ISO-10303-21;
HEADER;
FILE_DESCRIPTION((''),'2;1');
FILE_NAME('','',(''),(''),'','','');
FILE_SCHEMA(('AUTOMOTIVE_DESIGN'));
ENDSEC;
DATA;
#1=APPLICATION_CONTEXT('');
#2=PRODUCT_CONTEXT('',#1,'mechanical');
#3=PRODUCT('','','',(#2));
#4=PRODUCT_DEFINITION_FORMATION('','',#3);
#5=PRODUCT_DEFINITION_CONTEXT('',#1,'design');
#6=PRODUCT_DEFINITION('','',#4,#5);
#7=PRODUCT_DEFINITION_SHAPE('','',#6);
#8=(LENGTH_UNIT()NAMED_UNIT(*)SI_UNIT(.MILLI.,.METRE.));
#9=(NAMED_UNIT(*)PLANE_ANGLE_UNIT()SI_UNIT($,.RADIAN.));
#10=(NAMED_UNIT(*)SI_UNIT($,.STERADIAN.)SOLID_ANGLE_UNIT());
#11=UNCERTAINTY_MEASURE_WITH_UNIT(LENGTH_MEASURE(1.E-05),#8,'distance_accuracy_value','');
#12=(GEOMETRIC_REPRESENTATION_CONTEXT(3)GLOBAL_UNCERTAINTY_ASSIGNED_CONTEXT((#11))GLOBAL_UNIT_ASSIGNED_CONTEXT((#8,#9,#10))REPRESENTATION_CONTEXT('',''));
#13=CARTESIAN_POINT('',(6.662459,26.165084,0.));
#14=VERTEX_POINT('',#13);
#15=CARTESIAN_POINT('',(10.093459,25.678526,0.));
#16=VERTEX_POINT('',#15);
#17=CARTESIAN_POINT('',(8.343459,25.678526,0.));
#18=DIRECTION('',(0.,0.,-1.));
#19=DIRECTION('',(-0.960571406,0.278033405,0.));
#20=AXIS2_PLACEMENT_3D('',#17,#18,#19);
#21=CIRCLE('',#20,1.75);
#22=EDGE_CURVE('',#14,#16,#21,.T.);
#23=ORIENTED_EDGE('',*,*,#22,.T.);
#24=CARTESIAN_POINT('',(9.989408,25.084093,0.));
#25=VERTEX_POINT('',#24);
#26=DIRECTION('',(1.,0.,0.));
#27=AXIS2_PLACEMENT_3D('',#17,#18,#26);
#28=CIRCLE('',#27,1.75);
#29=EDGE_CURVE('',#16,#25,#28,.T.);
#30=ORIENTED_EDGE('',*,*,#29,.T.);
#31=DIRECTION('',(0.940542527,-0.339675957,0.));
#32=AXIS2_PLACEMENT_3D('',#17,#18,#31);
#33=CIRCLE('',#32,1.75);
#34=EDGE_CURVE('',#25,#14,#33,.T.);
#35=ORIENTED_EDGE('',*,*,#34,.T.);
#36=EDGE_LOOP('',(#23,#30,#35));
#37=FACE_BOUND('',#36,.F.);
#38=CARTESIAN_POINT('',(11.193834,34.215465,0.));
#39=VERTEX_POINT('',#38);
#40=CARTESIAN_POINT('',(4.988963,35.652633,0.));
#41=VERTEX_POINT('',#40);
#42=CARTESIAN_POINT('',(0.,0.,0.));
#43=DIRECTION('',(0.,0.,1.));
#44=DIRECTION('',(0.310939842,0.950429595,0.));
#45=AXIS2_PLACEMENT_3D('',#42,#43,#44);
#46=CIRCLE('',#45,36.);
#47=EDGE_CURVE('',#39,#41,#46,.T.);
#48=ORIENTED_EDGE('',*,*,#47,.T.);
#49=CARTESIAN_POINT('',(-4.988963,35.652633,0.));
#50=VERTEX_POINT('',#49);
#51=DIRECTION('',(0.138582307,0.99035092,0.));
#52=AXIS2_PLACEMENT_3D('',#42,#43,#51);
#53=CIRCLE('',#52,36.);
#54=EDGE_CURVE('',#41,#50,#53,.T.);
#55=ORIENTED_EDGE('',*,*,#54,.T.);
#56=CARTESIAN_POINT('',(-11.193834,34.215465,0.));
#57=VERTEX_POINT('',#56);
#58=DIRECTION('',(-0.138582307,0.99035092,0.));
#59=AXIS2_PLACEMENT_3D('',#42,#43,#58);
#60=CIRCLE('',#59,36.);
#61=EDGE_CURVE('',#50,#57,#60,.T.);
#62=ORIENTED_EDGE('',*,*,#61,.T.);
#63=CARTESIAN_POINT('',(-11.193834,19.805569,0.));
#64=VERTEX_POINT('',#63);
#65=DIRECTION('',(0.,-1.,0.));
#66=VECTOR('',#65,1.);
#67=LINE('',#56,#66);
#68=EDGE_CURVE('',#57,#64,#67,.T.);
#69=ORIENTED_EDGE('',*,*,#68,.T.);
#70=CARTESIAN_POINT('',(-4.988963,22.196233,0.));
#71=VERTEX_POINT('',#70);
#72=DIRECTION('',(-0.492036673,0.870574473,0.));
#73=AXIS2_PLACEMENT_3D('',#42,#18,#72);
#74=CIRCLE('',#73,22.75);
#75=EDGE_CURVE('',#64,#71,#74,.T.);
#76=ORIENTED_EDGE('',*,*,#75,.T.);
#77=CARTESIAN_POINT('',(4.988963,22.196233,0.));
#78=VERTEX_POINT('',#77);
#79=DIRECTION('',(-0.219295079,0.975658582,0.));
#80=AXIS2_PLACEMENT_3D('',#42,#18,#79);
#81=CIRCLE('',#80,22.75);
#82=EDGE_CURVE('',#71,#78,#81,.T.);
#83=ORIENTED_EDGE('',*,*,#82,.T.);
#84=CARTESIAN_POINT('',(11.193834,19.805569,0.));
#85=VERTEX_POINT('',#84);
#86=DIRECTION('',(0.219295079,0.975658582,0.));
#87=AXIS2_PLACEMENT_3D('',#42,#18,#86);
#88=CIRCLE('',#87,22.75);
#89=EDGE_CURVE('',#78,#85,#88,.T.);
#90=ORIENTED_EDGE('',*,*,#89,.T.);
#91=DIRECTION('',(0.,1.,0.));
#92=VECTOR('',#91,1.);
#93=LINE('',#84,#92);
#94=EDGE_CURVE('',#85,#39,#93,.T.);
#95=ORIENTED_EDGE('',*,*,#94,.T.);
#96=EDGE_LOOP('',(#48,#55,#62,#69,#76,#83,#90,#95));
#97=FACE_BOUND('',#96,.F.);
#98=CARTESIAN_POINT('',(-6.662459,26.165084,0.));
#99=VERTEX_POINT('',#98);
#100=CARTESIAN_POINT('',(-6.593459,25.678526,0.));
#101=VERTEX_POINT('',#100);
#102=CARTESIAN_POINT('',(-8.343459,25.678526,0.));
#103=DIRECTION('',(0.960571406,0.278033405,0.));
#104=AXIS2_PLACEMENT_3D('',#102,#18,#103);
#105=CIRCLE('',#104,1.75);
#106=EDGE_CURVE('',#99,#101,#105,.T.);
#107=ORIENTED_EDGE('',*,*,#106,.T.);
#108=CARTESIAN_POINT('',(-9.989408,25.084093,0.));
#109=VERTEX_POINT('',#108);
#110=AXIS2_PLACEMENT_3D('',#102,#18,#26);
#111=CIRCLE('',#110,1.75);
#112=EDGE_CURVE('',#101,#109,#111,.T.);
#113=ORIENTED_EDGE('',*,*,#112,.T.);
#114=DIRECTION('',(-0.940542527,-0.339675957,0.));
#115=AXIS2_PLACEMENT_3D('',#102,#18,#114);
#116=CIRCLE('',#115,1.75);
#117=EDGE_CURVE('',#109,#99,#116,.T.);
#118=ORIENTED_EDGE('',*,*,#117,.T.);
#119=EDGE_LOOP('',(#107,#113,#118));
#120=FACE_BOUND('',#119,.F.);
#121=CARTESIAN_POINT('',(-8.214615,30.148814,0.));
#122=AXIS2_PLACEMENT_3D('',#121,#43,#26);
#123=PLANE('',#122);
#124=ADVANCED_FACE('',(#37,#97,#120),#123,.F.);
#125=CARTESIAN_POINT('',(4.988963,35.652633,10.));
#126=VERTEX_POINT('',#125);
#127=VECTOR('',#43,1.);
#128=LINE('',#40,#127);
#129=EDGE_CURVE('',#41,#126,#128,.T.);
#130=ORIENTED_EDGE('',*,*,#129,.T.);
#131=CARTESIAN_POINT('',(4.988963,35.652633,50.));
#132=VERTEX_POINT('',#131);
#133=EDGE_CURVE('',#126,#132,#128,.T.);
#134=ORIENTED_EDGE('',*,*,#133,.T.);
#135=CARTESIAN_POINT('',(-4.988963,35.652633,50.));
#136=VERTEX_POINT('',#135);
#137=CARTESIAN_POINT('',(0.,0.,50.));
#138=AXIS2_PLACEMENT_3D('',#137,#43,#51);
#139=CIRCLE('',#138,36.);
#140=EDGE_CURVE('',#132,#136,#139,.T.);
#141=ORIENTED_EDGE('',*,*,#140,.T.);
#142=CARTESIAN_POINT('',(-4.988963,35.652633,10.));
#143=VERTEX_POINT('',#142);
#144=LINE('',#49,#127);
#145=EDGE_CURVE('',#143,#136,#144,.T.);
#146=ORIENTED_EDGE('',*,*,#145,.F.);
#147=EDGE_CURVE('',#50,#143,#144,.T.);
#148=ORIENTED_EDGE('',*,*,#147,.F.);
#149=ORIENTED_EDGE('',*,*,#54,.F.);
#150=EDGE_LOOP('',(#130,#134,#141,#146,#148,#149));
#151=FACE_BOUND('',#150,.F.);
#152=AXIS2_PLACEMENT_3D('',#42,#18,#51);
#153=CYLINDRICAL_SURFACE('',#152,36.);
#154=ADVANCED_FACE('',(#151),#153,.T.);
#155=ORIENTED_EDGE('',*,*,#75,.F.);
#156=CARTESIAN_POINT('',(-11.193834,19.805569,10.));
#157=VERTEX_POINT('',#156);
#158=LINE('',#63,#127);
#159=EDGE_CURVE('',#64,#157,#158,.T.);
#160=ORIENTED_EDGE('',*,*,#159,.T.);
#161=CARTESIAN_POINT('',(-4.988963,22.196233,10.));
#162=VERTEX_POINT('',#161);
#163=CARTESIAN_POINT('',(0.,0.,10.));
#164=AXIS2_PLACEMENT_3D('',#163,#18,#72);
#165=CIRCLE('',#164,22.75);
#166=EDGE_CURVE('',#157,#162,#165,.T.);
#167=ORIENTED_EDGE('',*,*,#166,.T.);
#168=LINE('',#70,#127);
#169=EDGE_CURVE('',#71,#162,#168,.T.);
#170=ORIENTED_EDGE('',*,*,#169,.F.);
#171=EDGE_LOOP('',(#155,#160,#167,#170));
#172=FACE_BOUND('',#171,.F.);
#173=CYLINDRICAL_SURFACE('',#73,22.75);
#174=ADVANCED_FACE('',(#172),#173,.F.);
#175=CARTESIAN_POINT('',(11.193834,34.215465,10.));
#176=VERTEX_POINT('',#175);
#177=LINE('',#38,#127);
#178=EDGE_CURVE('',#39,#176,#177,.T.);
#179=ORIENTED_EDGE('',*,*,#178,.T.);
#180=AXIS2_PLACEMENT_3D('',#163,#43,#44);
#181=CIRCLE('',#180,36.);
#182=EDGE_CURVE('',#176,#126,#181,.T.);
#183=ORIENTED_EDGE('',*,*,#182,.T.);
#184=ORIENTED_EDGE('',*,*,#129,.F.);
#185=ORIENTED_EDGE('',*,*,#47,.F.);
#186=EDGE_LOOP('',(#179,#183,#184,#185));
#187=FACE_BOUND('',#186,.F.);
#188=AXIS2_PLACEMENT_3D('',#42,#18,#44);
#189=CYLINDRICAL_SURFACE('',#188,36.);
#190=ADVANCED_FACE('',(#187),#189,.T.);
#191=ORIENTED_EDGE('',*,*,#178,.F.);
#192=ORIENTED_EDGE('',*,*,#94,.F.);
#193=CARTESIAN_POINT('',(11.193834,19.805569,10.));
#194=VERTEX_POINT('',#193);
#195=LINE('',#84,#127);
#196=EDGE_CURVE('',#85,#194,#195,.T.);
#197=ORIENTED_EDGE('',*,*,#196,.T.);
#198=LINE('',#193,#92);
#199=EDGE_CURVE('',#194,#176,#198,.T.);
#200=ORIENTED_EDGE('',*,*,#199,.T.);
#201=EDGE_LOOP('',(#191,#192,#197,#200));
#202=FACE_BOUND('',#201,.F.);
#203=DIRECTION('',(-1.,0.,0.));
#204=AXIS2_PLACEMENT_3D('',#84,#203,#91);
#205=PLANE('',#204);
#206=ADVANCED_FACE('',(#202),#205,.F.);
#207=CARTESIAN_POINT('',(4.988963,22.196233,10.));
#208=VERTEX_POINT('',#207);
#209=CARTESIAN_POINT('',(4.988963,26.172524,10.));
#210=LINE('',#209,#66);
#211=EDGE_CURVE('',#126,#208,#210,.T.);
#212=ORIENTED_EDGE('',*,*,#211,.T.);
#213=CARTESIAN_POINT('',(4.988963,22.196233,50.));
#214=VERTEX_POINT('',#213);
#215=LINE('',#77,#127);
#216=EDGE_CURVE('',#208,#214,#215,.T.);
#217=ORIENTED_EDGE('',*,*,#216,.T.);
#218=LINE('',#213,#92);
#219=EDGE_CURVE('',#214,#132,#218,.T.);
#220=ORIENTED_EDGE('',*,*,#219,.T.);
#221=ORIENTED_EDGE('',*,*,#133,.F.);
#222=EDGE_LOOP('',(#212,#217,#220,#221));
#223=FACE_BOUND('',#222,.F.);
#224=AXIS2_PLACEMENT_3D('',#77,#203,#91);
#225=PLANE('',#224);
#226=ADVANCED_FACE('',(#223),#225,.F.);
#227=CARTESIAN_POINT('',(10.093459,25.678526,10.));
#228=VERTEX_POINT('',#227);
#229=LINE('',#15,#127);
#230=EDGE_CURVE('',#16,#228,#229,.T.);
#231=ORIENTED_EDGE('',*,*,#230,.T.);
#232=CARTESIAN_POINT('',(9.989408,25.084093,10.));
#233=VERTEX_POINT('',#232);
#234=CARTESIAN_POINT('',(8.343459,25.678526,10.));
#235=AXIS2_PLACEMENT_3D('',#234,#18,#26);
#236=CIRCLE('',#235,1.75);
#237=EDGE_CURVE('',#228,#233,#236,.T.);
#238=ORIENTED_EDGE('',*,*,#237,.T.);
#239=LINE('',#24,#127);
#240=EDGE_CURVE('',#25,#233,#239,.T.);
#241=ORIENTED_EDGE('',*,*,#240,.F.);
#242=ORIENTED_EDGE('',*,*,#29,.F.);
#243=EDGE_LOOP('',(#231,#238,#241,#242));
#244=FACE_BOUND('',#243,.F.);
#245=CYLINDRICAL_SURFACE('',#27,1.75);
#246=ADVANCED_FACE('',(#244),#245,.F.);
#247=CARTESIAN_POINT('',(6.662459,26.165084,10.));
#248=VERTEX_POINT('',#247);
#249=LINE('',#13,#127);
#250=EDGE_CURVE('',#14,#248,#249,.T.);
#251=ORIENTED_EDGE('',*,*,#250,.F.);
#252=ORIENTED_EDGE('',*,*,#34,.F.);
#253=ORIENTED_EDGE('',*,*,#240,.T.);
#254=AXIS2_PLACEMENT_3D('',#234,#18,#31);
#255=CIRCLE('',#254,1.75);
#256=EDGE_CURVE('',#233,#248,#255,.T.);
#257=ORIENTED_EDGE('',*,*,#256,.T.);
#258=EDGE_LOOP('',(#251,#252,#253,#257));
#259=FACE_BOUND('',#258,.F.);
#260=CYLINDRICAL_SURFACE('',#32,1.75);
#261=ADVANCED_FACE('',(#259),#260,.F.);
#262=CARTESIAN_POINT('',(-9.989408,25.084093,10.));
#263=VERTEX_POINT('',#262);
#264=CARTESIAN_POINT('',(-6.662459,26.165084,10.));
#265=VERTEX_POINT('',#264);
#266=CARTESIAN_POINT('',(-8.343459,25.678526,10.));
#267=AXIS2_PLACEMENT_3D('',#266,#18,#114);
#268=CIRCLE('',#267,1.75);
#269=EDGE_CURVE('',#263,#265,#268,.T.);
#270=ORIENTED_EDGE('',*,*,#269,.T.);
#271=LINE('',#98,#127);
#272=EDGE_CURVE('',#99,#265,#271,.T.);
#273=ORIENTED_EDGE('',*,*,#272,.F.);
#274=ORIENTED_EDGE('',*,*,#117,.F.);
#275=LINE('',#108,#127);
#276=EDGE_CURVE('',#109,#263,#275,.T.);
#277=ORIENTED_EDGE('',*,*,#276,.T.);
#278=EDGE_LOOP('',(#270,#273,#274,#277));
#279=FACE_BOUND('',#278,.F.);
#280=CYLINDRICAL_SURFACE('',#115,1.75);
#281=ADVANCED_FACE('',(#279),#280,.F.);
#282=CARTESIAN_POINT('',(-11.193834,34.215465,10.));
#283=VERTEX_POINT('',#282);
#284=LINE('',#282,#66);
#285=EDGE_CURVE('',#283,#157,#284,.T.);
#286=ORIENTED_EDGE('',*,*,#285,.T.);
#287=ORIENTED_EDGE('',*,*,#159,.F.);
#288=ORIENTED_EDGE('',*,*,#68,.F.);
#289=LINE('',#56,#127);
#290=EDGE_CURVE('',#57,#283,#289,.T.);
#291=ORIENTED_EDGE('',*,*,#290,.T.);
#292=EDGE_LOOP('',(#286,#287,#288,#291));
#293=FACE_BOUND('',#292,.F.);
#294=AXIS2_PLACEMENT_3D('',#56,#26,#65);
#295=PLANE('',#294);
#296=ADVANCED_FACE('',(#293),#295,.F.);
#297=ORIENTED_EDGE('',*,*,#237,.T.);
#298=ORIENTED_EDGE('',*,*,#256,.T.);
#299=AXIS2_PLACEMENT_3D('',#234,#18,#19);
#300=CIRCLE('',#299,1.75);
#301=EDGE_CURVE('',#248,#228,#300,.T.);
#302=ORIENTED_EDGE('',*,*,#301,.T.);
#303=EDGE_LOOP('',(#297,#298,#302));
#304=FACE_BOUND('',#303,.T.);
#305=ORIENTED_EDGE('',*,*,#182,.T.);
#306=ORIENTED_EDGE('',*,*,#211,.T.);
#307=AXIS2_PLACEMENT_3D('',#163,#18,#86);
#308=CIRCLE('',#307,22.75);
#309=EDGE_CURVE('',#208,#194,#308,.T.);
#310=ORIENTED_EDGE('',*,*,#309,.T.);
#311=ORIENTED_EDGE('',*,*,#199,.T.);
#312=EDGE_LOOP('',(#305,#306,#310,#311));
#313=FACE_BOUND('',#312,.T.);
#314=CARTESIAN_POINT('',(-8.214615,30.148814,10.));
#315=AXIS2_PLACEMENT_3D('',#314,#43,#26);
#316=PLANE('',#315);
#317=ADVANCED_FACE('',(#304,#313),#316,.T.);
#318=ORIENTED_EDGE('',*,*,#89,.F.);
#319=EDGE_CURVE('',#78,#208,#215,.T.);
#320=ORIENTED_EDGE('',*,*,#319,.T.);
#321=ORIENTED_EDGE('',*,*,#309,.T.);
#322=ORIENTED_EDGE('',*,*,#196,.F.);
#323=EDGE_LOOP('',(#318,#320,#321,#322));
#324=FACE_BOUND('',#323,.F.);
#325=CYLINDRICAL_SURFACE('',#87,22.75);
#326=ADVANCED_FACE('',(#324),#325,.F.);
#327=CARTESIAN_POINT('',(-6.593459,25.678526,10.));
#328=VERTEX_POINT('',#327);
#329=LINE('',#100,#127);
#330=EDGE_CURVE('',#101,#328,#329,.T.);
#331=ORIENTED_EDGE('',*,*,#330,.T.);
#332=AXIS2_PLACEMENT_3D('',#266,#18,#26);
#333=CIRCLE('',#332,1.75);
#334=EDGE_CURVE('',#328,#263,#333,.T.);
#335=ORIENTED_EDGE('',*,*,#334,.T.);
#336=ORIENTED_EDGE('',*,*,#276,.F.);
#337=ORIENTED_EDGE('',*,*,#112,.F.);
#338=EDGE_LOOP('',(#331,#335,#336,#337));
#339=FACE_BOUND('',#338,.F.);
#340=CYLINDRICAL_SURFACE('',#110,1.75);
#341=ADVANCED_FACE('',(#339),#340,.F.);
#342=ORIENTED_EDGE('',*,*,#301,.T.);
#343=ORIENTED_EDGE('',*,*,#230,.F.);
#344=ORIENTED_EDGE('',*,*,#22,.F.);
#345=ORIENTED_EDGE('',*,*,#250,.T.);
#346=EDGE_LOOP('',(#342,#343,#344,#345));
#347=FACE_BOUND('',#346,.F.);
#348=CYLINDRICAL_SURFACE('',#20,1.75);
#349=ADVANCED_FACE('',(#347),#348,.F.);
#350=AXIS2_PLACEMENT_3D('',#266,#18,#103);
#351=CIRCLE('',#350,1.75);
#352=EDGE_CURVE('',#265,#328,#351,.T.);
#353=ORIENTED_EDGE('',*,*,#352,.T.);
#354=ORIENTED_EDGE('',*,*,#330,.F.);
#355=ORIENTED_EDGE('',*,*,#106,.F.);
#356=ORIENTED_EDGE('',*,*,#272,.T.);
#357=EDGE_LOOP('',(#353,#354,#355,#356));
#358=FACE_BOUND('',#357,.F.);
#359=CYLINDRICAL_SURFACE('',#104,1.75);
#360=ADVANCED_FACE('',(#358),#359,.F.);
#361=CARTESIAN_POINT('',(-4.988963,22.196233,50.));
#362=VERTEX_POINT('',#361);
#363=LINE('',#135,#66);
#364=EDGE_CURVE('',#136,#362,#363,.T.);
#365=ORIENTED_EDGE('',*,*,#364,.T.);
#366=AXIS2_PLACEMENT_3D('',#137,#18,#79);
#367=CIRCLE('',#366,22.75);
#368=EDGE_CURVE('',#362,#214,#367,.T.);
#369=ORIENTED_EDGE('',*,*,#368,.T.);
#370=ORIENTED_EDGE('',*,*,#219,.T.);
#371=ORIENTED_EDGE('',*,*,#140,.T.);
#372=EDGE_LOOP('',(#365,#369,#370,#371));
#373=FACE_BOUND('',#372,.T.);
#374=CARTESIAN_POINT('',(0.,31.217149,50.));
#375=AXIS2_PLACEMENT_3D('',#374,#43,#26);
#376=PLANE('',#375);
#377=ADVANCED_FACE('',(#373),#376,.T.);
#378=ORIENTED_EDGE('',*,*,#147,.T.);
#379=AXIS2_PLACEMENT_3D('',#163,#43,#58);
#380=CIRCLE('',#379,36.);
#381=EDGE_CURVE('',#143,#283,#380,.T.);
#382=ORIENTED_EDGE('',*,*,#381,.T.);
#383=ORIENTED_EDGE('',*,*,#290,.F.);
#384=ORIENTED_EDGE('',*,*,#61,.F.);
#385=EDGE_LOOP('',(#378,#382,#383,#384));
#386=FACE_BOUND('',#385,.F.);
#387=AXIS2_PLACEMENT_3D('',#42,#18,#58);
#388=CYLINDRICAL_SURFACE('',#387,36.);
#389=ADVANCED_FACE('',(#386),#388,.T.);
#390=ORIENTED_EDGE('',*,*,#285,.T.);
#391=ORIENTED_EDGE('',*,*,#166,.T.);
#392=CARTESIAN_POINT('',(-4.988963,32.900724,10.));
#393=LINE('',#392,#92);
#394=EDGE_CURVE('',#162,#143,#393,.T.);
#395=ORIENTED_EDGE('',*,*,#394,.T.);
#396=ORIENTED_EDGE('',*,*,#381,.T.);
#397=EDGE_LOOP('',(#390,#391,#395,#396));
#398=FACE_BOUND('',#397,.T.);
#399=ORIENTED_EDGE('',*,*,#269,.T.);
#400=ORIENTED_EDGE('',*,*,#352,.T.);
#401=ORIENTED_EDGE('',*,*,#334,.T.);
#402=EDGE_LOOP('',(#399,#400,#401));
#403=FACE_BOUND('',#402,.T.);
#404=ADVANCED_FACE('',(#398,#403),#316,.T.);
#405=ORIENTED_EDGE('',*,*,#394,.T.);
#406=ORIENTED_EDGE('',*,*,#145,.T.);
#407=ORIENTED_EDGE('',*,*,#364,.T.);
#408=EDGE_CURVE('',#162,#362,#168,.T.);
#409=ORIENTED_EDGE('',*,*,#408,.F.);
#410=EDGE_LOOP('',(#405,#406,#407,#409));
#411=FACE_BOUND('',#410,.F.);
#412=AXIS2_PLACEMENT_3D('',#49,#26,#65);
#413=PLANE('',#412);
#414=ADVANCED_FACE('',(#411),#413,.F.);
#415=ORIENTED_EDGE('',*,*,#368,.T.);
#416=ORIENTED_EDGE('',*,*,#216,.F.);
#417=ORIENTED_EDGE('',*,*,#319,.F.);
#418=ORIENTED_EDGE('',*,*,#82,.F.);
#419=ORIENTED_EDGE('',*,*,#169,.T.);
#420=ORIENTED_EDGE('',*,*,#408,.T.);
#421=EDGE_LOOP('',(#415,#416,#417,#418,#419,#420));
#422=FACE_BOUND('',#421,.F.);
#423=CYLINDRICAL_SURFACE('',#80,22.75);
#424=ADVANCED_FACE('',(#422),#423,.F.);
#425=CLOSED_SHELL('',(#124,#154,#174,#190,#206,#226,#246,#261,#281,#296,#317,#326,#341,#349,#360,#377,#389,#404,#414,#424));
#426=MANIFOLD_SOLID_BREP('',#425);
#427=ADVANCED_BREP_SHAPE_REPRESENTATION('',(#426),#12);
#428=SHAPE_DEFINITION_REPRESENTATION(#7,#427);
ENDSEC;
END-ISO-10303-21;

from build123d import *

# Parameters (mm, degrees)
F1_DEPTH = 10
F2_DEPTH = 50


with BuildPart() as f1:
    # F0 (on Top) → F1 (new body)
    with BuildSketch(Plane.XY):
        with BuildLine():
            Line((-11.1938343047, 34.2154654149), (-11.1938343047, 24.5702680807))
            ThreePointArc((-11.1938343047, 24.5702680807), (-10.5947366889, 24.8344831735), (-9.9894082697, 25.0840930157))
            ThreePointArc((-9.9894082697, 25.0840930157), (-8.8842385883, 27.3428748435), (-6.6624588878, 26.1650843983))
            ThreePointArc((-6.6624588878, 26.1650843983), (-5.8286474975, 26.3633622353), (-4.988963041, 26.5350758012))
            Line((-4.988963041, 26.5350758012), (-4.988963041, 35.6526331114))
            ThreePointArc((-4.988963041, 35.6526331114), (-8.1232441321, 35.0715398118), (-11.1938343047, 34.2154654149))
        make_face()
        with BuildLine():
            ThreePointArc((-4.988963041, 26.5350758012), (0, 27), (4.988963041, 26.5350758012))
            Line((4.988963041, 26.5350758012), (4.988963041, 35.6526331114))
            ThreePointArc((4.988963041, 35.6526331114), (0, 36), (-4.988963041, 35.6526331114))
            Line((-4.988963041, 35.6526331114), (-4.988963041, 26.5350758012))
        make_face()
        with BuildLine():
            ThreePointArc((9.9894082697, 25.0840930157), (10.5947366889, 24.8344831735), (11.1938343047, 24.5702680807))
            Line((11.1938343047, 24.5702680807), (11.1938343047, 34.2154654149))
            ThreePointArc((11.1938343047, 34.2154654149), (8.1232441321, 35.0715398118), (4.988963041, 35.6526331114))
            Line((4.988963041, 35.6526331114), (4.988963041, 26.5350758012))
            ThreePointArc((4.988963041, 26.5350758012), (5.8286474975, 26.3633622353), (6.6624588878, 26.1650843983))
            ThreePointArc((6.6624588878, 26.1650843983), (8.5891721662, 27.4111900636), (10.0934588481, 25.67852594))
            ThreePointArc((10.0934588481, 25.67852594), (10.0672499445, 25.3767905326), (9.9894082697, 25.0840930157))
        make_face()
        with BuildLine():
            ThreePointArc((4.988963041, 22.1962327384), (8.1792145377, 21.2288235554), (11.1938343047, 19.8055692561))
            Line((11.1938343047, 19.8055692561), (11.1938343047, 24.5702680807))
            ThreePointArc((11.1938343047, 24.5702680807), (10.5947366889, 24.8344831735), (9.9894082697, 25.0840930157))
            ThreePointArc((9.9894082697, 25.0840930157), (7.802679108, 24.0141770365), (6.6624588878, 26.1650843983))
            ThreePointArc((6.6624588878, 26.1650843983), (5.8286474975, 26.3633622353), (4.988963041, 26.5350758012))
            Line((4.988963041, 26.5350758012), (4.988963041, 22.1962327384))
        make_face()
        with BuildLine():
            Line((-11.1938343047, 24.5702680807), (-11.1938343047, 19.8055692561))
            ThreePointArc((-11.1938343047, 19.8055692561), (-8.1792145377, 21.2288235554), (-4.988963041, 22.1962327384))
            Line((-4.988963041, 22.1962327384), (-4.988963041, 26.5350758012))
            ThreePointArc((-4.988963041, 26.5350758012), (-5.8286474975, 26.3633622353), (-6.6624588878, 26.1650843983))
            ThreePointArc((-6.6624588878, 26.1650843983), (-6.6107947245, 25.9242392581), (-6.5934588481, 25.67852594))
            ThreePointArc((-6.5934588481, 25.67852594), (-8.0417234407, 23.9547348436), (-9.9894082697, 25.0840930157))
            ThreePointArc((-9.9894082697, 25.0840930157), (-10.5947366889, 24.8344831735), (-11.1938343047, 24.5702680807))
        make_face()
        with BuildLine():
            ThreePointArc((-4.988963041, 22.1962327384), (0, 22.75), (4.988963041, 22.1962327384))
            Line((4.988963041, 22.1962327384), (4.988963041, 26.5350758012))
            ThreePointArc((4.988963041, 26.5350758012), (0, 27), (-4.988963041, 26.5350758012))
            Line((-4.988963041, 26.5350758012), (-4.988963041, 22.1962327384))
        make_face()
    extrude(amount=F1_DEPTH)

    # F0 (on Top) → F2 (join)
    with BuildSketch(Plane.XY):
        with BuildLine():
            ThreePointArc((-4.988963041, 26.5350758012), (0, 27), (4.988963041, 26.5350758012))
            Line((4.988963041, 26.5350758012), (4.988963041, 35.6526331114))
            ThreePointArc((4.988963041, 35.6526331114), (0, 36), (-4.988963041, 35.6526331114))
            Line((-4.988963041, 35.6526331114), (-4.988963041, 26.5350758012))
        make_face()
        with BuildLine():
            ThreePointArc((-4.988963041, 22.1962327384), (0, 22.75), (4.988963041, 22.1962327384))
            Line((4.988963041, 22.1962327384), (4.988963041, 26.5350758012))
            ThreePointArc((4.988963041, 26.5350758012), (0, 27), (-4.988963041, 26.5350758012))
            Line((-4.988963041, 26.5350758012), (-4.988963041, 22.1962327384))
        make_face()
    extrude(amount=F2_DEPTH)


solid = f1.part
